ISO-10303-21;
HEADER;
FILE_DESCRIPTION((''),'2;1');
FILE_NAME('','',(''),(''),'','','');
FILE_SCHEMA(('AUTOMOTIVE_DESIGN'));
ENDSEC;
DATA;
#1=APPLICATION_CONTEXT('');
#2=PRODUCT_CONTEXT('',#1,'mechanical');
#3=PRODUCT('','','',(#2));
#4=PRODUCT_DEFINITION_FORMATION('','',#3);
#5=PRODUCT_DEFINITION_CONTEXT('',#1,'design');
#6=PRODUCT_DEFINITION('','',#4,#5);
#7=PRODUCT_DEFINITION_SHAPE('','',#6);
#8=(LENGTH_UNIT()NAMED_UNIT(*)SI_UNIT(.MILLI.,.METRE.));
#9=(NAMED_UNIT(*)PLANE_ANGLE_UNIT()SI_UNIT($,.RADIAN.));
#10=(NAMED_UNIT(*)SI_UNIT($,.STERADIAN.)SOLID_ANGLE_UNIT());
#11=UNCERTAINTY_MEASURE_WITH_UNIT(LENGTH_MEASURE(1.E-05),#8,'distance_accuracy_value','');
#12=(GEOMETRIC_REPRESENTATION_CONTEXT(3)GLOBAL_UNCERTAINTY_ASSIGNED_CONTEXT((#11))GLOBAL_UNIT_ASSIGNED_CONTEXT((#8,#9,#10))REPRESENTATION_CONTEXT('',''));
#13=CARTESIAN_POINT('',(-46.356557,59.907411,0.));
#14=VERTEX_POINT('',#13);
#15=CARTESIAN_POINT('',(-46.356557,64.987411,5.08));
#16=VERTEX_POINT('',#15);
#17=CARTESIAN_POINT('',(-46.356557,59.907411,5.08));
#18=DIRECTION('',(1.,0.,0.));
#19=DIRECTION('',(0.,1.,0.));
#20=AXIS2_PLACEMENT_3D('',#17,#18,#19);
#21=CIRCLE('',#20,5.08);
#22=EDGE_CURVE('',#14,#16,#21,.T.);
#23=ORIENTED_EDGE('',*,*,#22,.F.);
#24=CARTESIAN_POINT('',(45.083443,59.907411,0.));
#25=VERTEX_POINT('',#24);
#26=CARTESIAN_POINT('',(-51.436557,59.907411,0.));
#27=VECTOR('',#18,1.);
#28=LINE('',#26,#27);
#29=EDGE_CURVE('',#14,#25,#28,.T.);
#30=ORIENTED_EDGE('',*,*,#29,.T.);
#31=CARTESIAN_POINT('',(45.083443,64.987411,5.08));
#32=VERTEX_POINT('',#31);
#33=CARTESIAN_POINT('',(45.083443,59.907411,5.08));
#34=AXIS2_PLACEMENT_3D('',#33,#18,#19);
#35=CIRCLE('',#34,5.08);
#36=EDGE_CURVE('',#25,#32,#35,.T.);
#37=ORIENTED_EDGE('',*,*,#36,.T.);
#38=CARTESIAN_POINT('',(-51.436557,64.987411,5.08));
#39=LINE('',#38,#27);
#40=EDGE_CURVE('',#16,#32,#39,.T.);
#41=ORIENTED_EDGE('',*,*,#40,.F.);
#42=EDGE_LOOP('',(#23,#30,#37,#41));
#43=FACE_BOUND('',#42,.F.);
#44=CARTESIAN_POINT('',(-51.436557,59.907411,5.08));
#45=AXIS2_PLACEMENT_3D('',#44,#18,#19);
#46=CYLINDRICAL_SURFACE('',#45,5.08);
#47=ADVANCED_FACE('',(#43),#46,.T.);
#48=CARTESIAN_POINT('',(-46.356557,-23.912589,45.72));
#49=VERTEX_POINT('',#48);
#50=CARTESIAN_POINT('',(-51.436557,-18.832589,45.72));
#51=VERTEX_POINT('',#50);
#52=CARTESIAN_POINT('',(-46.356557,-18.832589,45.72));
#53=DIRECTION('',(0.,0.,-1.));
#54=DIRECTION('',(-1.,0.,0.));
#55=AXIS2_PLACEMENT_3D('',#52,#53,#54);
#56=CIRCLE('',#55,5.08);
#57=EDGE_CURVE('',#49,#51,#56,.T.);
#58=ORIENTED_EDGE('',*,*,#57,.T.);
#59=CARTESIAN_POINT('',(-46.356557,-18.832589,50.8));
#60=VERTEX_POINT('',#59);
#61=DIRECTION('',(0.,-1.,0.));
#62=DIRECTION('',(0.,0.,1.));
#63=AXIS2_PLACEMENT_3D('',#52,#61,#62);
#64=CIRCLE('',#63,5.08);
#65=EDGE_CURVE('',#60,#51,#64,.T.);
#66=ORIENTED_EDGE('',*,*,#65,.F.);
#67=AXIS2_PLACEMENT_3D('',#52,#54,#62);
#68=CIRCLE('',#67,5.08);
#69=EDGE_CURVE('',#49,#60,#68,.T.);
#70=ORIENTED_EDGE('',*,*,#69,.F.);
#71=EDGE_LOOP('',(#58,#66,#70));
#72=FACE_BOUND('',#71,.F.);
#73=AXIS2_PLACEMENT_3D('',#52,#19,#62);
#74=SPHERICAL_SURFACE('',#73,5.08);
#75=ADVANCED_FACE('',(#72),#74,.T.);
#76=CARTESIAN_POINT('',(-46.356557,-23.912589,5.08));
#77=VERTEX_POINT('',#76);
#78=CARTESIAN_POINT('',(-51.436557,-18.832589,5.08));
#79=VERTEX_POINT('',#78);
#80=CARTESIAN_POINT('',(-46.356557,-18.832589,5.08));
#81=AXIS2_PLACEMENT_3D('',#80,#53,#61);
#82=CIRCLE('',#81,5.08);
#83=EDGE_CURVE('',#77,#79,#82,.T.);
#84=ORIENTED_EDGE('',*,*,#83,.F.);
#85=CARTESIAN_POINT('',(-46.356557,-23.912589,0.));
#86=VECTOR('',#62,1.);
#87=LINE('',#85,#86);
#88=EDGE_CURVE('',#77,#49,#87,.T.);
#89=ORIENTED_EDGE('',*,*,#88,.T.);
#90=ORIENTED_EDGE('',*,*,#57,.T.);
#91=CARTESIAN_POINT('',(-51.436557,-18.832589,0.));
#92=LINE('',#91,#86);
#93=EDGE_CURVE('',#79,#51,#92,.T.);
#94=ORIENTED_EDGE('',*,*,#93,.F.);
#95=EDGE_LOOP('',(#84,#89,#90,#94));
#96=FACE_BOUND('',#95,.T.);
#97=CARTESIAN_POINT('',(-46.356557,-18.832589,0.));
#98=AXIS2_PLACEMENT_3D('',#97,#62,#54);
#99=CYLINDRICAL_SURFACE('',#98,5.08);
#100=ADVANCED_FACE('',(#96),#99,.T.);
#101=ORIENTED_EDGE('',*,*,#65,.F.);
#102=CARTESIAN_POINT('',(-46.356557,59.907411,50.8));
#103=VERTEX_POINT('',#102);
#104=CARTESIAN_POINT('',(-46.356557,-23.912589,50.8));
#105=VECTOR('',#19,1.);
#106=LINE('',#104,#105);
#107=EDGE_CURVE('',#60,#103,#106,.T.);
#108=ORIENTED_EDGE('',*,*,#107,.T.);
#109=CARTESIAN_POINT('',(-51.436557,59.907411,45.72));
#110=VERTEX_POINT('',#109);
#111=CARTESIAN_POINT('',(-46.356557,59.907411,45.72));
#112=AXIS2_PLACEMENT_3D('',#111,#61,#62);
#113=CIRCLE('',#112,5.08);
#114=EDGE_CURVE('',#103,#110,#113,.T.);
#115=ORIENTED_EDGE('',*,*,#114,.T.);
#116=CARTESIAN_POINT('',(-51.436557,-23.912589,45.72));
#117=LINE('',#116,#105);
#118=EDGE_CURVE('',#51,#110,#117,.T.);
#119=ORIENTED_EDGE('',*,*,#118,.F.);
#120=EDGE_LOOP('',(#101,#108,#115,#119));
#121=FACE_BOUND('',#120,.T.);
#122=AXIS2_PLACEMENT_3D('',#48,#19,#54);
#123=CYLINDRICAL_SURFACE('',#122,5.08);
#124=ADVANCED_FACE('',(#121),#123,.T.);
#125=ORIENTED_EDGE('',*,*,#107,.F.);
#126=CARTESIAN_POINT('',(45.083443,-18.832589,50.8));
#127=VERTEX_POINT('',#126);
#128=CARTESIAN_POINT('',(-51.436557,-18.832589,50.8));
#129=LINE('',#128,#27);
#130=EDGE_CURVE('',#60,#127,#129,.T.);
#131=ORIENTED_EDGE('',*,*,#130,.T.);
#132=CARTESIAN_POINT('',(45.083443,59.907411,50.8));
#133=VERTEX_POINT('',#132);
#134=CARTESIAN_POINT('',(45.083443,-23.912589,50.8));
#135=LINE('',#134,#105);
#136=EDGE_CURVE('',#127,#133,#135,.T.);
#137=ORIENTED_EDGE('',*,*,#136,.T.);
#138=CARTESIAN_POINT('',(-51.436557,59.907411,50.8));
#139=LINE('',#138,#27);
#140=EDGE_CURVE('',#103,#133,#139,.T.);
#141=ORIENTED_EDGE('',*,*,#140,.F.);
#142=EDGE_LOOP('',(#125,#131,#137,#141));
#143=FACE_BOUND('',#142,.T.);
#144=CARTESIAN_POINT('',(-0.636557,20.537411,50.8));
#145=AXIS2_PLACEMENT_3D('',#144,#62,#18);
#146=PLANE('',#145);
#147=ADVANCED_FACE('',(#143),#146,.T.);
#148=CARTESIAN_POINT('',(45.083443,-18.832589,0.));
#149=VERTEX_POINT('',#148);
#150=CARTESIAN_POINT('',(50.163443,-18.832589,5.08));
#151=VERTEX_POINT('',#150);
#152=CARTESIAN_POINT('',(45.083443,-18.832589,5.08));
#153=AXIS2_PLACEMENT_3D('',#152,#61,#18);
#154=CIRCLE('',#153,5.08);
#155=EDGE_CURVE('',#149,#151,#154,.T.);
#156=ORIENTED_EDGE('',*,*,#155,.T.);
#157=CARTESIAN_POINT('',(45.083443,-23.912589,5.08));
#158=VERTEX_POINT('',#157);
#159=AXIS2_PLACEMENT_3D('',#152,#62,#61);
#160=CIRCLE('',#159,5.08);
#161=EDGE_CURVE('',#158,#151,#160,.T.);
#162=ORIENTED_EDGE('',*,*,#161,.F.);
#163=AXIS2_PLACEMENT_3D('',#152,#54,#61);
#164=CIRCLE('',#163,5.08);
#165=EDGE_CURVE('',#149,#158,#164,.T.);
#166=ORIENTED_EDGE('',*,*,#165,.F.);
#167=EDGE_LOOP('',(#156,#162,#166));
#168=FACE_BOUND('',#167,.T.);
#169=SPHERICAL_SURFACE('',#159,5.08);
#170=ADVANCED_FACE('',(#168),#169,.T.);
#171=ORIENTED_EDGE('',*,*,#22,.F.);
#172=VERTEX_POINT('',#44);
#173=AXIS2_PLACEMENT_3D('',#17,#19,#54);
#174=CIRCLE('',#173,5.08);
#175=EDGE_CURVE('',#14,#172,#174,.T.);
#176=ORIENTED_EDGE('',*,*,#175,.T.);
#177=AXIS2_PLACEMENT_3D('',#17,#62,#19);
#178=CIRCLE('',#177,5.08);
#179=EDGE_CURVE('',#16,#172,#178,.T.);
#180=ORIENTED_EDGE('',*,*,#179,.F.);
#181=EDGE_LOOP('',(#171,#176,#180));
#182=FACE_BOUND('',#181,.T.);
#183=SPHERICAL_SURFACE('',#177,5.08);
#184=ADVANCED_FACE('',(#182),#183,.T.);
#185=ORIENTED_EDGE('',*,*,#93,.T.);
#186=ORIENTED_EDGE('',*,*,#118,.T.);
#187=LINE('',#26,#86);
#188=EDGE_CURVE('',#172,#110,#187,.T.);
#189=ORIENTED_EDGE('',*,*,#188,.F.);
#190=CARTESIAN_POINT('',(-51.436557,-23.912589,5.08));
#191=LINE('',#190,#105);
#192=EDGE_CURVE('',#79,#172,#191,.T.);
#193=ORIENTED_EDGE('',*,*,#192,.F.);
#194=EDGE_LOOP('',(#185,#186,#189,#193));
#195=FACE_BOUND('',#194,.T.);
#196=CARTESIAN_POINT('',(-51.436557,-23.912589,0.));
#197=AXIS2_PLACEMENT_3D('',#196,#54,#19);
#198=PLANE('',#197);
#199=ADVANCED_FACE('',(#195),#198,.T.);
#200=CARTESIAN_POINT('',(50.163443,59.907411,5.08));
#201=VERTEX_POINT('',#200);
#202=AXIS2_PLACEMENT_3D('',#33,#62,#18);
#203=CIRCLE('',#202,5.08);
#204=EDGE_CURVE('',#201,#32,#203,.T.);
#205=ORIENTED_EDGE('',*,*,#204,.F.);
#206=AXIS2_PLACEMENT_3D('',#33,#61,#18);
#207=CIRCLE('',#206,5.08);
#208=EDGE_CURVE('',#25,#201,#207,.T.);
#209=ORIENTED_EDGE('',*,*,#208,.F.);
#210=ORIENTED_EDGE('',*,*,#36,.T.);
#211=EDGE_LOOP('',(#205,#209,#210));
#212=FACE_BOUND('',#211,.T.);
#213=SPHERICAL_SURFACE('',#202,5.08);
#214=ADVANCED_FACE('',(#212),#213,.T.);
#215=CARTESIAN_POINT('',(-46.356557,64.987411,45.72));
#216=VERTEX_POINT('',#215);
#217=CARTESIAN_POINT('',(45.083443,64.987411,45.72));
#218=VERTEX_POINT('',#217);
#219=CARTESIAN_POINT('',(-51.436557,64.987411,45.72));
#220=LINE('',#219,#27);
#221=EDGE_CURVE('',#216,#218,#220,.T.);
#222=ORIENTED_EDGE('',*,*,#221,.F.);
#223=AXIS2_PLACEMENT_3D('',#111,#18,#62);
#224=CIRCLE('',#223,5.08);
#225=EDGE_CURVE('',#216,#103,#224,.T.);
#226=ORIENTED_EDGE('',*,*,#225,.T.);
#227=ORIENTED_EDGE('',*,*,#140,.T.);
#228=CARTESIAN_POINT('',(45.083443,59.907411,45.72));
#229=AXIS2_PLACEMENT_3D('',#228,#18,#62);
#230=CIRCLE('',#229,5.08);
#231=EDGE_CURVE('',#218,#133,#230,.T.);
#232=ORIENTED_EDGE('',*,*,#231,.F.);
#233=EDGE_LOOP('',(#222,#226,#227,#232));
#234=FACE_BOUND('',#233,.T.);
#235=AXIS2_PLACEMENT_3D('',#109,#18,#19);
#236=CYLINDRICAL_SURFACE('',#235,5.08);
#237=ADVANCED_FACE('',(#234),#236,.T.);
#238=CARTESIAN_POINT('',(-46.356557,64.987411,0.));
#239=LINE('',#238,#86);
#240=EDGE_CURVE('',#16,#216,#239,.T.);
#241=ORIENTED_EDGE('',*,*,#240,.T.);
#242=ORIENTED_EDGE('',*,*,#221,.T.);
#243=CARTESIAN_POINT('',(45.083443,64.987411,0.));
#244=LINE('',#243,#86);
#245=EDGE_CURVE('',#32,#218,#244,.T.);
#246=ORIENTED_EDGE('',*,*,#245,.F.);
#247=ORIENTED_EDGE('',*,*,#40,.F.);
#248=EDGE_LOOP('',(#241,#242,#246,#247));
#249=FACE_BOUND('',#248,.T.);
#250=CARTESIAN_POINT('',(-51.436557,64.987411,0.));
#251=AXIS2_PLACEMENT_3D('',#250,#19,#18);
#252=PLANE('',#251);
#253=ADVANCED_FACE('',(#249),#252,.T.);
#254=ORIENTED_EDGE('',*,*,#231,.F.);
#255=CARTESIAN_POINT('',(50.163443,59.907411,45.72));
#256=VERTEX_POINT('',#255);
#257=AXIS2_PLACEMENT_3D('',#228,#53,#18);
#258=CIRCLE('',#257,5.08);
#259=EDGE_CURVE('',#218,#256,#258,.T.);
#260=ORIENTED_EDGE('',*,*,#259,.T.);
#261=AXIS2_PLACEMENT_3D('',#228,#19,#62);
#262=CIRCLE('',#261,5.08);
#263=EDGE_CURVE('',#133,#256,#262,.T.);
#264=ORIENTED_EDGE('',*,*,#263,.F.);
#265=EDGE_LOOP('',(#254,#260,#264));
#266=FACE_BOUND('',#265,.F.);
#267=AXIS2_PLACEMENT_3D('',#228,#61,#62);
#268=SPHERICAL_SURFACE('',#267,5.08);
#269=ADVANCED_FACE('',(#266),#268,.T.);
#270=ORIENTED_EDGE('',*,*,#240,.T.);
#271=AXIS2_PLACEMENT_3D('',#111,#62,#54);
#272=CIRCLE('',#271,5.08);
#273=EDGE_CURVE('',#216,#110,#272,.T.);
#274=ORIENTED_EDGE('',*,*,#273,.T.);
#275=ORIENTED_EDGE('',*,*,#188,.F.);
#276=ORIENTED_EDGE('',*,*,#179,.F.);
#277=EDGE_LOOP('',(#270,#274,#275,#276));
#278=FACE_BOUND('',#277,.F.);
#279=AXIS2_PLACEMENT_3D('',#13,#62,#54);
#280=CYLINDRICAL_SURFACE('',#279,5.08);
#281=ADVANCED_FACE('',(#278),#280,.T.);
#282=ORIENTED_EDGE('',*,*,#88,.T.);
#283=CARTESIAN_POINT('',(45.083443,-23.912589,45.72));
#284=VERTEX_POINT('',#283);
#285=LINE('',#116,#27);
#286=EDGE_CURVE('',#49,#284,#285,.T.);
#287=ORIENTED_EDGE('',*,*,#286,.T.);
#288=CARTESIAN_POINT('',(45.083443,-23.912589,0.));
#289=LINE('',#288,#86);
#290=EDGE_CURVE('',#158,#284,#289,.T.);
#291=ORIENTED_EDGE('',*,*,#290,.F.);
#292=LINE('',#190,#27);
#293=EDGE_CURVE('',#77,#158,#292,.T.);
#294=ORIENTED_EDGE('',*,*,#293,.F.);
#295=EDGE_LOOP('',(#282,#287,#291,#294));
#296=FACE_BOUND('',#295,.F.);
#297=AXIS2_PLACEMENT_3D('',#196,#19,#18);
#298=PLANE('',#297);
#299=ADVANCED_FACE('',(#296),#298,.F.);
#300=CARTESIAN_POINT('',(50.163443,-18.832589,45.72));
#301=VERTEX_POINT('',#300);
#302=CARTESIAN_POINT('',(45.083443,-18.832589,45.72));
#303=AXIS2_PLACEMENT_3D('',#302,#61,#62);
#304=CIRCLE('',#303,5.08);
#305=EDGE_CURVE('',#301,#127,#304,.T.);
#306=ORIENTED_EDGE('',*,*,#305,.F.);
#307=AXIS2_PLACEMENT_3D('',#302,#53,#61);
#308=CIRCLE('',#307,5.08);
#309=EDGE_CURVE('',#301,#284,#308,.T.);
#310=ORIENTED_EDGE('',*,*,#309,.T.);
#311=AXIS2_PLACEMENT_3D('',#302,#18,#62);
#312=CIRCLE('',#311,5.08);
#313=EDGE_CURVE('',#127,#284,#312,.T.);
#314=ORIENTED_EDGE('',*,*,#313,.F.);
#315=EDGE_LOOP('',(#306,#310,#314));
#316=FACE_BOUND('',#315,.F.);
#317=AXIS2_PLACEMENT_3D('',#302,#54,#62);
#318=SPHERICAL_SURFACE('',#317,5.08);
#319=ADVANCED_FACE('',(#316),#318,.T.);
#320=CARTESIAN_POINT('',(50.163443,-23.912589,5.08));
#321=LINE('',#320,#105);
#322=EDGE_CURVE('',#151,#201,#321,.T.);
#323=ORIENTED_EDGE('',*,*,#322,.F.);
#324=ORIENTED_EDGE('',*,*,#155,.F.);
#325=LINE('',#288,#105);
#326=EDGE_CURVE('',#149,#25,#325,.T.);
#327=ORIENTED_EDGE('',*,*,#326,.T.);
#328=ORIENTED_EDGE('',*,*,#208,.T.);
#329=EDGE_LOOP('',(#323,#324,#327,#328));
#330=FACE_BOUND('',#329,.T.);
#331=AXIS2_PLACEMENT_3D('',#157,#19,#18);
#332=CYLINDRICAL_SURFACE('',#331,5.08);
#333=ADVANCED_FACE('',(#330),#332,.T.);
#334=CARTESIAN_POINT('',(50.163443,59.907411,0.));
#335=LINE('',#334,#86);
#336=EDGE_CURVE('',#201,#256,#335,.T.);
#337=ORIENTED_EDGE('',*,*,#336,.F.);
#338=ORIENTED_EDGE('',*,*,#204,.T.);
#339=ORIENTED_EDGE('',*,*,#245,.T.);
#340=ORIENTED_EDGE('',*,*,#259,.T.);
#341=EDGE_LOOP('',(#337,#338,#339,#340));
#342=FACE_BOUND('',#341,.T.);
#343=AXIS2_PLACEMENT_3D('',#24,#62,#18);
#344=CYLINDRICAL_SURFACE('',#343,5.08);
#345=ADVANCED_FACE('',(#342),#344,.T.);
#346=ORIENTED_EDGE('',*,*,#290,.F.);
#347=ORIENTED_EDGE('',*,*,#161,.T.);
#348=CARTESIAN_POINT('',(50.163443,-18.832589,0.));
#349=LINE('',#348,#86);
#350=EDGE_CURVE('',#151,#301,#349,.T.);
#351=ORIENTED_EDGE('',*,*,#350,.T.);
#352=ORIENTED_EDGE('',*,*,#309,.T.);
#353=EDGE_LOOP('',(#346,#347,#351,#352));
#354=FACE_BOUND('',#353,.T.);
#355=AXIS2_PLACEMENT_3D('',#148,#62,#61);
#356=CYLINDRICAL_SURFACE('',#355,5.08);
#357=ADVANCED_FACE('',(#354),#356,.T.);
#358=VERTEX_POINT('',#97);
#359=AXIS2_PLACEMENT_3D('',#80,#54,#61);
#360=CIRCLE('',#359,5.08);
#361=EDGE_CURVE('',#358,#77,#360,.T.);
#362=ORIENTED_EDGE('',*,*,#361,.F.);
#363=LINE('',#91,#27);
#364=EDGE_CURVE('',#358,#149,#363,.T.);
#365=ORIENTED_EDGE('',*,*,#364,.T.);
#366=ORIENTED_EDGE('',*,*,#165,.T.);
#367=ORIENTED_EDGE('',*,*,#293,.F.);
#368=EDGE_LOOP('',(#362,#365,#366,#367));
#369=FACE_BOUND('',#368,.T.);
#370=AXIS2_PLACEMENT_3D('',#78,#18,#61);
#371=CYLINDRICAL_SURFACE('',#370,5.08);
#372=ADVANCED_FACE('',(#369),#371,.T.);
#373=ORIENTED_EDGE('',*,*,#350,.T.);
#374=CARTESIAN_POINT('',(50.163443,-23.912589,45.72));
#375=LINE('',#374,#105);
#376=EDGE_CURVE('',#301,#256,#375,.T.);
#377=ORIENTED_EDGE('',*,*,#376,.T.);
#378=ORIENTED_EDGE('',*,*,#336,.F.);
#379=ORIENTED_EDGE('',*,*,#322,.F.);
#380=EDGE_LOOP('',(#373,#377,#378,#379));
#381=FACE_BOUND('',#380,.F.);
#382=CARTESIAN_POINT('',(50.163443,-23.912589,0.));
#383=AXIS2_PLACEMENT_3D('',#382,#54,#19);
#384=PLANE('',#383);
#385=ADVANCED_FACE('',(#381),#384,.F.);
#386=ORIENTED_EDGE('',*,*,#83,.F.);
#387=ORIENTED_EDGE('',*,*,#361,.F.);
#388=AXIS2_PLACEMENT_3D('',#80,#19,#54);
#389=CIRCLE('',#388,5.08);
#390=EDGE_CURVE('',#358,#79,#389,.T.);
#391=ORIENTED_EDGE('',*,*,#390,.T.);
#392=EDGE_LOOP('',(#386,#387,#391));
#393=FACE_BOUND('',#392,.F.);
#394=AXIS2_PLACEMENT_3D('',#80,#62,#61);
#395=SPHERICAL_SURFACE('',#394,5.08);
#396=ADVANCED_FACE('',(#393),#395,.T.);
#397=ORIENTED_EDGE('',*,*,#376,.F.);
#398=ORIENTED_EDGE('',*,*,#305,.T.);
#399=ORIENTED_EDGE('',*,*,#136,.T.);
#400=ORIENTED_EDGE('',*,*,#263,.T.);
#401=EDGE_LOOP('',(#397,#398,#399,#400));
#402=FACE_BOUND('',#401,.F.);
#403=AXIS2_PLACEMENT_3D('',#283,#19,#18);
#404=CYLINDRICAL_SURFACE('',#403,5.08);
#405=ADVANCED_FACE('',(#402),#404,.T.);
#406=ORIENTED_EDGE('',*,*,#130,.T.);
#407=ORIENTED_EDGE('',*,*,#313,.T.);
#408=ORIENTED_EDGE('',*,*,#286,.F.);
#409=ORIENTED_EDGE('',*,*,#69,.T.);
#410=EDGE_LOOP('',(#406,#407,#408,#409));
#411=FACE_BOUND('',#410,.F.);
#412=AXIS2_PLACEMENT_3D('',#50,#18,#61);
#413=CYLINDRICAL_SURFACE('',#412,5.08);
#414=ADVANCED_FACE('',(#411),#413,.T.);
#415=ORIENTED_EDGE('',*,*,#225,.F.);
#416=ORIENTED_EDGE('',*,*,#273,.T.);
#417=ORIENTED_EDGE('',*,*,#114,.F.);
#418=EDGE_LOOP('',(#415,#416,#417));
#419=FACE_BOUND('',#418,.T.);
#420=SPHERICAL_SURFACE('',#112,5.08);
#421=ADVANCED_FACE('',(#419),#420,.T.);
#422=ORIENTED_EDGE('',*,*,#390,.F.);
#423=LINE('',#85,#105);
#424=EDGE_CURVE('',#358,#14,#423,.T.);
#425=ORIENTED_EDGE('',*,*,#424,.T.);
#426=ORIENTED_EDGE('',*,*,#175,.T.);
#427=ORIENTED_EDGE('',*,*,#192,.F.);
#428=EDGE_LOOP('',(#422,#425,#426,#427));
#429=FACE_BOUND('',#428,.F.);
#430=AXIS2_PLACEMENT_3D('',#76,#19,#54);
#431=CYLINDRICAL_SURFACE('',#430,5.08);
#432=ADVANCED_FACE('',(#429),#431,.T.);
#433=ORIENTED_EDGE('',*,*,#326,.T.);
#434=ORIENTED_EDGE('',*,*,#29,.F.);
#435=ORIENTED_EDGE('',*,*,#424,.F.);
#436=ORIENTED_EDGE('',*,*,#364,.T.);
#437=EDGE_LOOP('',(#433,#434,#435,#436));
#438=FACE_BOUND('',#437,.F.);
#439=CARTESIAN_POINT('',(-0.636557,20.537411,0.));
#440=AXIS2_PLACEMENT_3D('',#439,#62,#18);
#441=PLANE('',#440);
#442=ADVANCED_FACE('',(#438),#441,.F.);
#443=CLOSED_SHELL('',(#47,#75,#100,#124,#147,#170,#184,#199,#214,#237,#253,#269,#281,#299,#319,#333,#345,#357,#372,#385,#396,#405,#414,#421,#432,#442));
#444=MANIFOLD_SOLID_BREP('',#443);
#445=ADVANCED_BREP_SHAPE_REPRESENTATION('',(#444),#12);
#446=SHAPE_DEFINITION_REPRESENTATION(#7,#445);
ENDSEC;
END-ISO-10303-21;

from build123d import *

# Parameters (mm, degrees)
F0_W     = 101.6
F0_H     = 88.9
F1_DEPTH = 50.8
F2_R     = 5.08


with BuildPart() as f1:
    # F0 (on Top) → F1 (new body)
    with BuildSketch(Plane.XY):
        with Locations((-0.636557, 20.537411)):
            Rectangle(F0_W, F0_H)
    extrude(amount=F1_DEPTH)

    # F2
    f2_edges = [f1.edges().sort_by_distance(p)[0] for p in [
        (-51.436557, 20.537411, 50.8),
        (-0.636557, -23.912589, 50.8),
        (50.163443, 20.537411, 50.8),
        (-0.636557, 64.987411, 50.8),
        (-51.436557, -23.912589, 25.4),
        (50.163443, -23.912589, 25.4),
        (-0.636557, -23.912589, 0),
        (50.163443, 64.987411, 25.4),
        (50.163443, 20.537411, 0),
        (-51.436557, 64.987411, 25.4),
        (-0.636557, 64.987411, 0),
        (-51.436557, 20.537411, 0),
    ]]
    fillet(f2_edges, radius=F2_R)


solid = f1.part
